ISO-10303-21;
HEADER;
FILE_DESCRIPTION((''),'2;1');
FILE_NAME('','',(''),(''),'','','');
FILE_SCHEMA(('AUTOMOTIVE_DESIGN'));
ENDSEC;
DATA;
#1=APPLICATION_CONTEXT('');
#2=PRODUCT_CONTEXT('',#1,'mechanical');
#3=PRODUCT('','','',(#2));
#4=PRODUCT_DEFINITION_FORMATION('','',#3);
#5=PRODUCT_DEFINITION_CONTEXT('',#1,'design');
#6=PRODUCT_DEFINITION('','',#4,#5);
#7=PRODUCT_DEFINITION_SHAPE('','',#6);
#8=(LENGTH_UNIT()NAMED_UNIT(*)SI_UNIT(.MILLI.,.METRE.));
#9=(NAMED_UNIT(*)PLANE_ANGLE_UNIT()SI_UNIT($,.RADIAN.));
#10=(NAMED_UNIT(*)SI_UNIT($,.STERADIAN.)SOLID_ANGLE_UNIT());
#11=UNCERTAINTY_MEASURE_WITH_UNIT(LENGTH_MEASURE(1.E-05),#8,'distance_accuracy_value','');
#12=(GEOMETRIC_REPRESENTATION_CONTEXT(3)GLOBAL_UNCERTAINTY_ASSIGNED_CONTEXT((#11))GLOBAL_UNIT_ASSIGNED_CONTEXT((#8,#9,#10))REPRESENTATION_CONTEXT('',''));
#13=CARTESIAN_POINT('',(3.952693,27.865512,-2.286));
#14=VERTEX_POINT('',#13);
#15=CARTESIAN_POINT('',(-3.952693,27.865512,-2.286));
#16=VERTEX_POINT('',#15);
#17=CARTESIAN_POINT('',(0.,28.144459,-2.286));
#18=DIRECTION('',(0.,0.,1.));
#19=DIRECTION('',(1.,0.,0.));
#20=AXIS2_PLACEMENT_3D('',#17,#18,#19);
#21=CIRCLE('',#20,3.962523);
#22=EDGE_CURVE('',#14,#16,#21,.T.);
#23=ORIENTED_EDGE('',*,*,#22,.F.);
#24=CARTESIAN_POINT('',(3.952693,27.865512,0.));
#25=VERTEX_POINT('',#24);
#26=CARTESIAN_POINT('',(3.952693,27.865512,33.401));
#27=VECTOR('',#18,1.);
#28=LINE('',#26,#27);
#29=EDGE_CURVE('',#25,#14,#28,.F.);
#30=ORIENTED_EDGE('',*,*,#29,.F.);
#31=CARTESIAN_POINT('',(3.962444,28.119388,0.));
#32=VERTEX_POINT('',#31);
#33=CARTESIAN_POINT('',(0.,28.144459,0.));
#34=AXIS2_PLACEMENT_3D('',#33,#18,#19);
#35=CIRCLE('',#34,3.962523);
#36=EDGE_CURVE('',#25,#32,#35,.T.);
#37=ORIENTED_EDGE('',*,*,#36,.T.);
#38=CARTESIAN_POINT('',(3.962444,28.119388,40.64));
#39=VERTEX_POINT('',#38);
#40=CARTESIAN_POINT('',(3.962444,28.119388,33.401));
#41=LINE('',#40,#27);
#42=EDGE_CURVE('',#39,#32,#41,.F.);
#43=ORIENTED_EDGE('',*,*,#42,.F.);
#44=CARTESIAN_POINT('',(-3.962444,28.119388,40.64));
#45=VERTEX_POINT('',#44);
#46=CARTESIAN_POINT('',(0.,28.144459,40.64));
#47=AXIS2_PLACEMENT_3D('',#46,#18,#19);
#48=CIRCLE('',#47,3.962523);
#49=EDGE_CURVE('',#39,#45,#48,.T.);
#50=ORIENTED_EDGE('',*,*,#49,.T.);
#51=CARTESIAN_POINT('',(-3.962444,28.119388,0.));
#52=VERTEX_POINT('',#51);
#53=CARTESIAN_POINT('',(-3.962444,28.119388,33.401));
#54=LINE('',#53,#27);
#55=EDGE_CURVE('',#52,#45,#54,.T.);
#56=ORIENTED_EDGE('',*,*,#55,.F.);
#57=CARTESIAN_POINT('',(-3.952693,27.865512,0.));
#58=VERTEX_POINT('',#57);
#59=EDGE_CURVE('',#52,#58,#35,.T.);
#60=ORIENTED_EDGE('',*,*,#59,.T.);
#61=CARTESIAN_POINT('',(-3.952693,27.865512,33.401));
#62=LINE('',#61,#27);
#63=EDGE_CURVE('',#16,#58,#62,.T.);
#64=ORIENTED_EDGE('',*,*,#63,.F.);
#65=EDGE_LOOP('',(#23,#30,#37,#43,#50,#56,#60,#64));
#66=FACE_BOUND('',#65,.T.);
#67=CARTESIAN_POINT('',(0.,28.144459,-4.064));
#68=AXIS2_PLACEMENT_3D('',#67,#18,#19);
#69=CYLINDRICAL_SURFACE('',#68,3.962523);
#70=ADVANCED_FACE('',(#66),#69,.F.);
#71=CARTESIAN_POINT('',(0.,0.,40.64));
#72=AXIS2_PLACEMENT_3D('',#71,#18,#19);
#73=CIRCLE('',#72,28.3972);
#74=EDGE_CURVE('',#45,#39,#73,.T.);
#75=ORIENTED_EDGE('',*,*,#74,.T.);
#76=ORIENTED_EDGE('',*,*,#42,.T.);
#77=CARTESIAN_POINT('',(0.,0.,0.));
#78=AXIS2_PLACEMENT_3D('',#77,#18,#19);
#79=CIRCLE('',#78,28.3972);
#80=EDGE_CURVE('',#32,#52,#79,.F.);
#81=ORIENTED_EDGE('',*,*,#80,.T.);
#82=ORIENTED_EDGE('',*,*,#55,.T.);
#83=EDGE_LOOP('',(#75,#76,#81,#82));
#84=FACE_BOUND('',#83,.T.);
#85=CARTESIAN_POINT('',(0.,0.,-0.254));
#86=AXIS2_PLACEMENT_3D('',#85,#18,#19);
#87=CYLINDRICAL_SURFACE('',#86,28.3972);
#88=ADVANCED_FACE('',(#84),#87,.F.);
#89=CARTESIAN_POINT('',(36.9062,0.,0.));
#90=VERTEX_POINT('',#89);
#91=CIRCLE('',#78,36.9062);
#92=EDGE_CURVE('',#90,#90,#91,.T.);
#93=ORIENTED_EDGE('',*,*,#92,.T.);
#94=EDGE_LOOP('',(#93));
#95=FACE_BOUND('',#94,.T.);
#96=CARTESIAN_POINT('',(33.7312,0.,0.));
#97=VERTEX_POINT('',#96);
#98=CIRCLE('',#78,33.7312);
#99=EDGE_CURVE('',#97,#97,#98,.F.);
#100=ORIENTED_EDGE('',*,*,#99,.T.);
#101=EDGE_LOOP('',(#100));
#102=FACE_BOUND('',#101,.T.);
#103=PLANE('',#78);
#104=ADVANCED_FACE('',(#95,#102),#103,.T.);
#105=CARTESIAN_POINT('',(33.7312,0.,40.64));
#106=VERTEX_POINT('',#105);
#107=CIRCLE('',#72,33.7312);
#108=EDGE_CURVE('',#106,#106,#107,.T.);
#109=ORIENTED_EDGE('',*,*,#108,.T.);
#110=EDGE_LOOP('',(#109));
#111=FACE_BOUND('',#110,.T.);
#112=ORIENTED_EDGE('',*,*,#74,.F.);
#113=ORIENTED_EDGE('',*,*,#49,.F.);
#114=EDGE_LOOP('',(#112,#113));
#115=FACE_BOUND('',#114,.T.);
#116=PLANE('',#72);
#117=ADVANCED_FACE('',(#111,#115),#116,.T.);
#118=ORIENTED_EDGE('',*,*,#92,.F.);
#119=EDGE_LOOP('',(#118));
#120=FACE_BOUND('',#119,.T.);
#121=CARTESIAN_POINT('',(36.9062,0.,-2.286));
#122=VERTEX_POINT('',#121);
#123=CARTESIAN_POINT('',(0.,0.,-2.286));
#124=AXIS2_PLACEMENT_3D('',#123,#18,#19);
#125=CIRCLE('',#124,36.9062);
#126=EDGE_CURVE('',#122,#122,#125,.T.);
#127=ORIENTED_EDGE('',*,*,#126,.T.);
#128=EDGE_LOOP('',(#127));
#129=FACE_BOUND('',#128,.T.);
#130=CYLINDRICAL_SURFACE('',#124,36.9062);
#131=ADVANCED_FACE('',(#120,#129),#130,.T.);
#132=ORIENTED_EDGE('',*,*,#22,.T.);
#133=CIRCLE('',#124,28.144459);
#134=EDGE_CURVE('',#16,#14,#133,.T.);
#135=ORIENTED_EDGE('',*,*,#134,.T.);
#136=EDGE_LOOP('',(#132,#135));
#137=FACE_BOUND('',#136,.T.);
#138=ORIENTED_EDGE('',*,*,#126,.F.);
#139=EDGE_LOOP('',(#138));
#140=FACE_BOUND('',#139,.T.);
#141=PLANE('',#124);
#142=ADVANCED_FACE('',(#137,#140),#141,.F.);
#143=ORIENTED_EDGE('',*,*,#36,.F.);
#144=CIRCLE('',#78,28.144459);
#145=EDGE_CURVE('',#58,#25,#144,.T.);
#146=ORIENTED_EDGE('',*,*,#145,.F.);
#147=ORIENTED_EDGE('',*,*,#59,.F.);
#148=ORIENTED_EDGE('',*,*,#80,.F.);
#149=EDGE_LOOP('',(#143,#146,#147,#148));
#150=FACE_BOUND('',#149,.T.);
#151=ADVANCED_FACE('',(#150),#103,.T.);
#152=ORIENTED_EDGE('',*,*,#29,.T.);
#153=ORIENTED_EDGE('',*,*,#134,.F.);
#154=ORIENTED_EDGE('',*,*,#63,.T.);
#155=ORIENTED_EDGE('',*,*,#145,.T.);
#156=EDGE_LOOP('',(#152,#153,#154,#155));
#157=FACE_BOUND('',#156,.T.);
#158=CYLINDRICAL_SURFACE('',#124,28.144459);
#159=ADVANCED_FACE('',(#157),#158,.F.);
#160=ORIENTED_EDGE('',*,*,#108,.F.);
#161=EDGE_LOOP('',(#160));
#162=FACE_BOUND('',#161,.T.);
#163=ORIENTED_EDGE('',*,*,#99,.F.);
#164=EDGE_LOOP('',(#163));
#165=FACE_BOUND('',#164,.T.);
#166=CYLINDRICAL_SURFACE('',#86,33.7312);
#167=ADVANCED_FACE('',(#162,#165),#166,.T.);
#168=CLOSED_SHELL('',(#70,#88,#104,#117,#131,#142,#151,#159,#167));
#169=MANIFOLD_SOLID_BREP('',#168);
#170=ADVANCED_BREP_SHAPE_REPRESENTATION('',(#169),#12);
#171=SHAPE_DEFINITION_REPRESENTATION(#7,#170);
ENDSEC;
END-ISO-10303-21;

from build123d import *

# Parameters (mm, degrees)
BOSS_EXTRUDE1_DEPTH      = 40.64
BOSS_EXTRUDE1_DEPTH_BACK = 0.254
SKETCH1_R                = 33.7312
SKETCH1_R_2              = 28.3972
SKETCH3_R                = 36.9062
SKETCH3_R_2              = 28.144458554
BOSS_EXTRUDE2_DEPTH      = 2.286
CUT_EXTRUDE4_DEPTH       = 70.866
CUT_EXTRUDE4_DEPTH_BACK  = 4.064
SKETCH5_R                = 3.962523409


with BuildPart() as part:
    # Sketch1 → Boss-Extrude1 (new, two sides: drawn at the far end of the back side and taken through both)
    with BuildSketch(Plane.XY.offset(-BOSS_EXTRUDE1_DEPTH_BACK)):
        Circle(SKETCH1_R)
        Circle(SKETCH1_R_2, mode=Mode.SUBTRACT)
    extrude(amount=BOSS_EXTRUDE1_DEPTH + BOSS_EXTRUDE1_DEPTH_BACK)

    # Sketch3 → Boss-Extrude2 (add)
    with BuildSketch(Plane.XY):
        Circle(SKETCH3_R)
        Circle(SKETCH3_R_2, mode=Mode.SUBTRACT)
    extrude(amount=-BOSS_EXTRUDE2_DEPTH)

    # Sketch5 → Cut-Extrude4 (cut, two sides: drawn at the far end of the back side and taken through both)
    with BuildSketch(Plane.XY.offset(-CUT_EXTRUDE4_DEPTH_BACK)):
        with Locations((0, 28.144458554)):
            Circle(SKETCH5_R)
    extrude(amount=CUT_EXTRUDE4_DEPTH + CUT_EXTRUDE4_DEPTH_BACK, mode=Mode.SUBTRACT)


solid = part.part
